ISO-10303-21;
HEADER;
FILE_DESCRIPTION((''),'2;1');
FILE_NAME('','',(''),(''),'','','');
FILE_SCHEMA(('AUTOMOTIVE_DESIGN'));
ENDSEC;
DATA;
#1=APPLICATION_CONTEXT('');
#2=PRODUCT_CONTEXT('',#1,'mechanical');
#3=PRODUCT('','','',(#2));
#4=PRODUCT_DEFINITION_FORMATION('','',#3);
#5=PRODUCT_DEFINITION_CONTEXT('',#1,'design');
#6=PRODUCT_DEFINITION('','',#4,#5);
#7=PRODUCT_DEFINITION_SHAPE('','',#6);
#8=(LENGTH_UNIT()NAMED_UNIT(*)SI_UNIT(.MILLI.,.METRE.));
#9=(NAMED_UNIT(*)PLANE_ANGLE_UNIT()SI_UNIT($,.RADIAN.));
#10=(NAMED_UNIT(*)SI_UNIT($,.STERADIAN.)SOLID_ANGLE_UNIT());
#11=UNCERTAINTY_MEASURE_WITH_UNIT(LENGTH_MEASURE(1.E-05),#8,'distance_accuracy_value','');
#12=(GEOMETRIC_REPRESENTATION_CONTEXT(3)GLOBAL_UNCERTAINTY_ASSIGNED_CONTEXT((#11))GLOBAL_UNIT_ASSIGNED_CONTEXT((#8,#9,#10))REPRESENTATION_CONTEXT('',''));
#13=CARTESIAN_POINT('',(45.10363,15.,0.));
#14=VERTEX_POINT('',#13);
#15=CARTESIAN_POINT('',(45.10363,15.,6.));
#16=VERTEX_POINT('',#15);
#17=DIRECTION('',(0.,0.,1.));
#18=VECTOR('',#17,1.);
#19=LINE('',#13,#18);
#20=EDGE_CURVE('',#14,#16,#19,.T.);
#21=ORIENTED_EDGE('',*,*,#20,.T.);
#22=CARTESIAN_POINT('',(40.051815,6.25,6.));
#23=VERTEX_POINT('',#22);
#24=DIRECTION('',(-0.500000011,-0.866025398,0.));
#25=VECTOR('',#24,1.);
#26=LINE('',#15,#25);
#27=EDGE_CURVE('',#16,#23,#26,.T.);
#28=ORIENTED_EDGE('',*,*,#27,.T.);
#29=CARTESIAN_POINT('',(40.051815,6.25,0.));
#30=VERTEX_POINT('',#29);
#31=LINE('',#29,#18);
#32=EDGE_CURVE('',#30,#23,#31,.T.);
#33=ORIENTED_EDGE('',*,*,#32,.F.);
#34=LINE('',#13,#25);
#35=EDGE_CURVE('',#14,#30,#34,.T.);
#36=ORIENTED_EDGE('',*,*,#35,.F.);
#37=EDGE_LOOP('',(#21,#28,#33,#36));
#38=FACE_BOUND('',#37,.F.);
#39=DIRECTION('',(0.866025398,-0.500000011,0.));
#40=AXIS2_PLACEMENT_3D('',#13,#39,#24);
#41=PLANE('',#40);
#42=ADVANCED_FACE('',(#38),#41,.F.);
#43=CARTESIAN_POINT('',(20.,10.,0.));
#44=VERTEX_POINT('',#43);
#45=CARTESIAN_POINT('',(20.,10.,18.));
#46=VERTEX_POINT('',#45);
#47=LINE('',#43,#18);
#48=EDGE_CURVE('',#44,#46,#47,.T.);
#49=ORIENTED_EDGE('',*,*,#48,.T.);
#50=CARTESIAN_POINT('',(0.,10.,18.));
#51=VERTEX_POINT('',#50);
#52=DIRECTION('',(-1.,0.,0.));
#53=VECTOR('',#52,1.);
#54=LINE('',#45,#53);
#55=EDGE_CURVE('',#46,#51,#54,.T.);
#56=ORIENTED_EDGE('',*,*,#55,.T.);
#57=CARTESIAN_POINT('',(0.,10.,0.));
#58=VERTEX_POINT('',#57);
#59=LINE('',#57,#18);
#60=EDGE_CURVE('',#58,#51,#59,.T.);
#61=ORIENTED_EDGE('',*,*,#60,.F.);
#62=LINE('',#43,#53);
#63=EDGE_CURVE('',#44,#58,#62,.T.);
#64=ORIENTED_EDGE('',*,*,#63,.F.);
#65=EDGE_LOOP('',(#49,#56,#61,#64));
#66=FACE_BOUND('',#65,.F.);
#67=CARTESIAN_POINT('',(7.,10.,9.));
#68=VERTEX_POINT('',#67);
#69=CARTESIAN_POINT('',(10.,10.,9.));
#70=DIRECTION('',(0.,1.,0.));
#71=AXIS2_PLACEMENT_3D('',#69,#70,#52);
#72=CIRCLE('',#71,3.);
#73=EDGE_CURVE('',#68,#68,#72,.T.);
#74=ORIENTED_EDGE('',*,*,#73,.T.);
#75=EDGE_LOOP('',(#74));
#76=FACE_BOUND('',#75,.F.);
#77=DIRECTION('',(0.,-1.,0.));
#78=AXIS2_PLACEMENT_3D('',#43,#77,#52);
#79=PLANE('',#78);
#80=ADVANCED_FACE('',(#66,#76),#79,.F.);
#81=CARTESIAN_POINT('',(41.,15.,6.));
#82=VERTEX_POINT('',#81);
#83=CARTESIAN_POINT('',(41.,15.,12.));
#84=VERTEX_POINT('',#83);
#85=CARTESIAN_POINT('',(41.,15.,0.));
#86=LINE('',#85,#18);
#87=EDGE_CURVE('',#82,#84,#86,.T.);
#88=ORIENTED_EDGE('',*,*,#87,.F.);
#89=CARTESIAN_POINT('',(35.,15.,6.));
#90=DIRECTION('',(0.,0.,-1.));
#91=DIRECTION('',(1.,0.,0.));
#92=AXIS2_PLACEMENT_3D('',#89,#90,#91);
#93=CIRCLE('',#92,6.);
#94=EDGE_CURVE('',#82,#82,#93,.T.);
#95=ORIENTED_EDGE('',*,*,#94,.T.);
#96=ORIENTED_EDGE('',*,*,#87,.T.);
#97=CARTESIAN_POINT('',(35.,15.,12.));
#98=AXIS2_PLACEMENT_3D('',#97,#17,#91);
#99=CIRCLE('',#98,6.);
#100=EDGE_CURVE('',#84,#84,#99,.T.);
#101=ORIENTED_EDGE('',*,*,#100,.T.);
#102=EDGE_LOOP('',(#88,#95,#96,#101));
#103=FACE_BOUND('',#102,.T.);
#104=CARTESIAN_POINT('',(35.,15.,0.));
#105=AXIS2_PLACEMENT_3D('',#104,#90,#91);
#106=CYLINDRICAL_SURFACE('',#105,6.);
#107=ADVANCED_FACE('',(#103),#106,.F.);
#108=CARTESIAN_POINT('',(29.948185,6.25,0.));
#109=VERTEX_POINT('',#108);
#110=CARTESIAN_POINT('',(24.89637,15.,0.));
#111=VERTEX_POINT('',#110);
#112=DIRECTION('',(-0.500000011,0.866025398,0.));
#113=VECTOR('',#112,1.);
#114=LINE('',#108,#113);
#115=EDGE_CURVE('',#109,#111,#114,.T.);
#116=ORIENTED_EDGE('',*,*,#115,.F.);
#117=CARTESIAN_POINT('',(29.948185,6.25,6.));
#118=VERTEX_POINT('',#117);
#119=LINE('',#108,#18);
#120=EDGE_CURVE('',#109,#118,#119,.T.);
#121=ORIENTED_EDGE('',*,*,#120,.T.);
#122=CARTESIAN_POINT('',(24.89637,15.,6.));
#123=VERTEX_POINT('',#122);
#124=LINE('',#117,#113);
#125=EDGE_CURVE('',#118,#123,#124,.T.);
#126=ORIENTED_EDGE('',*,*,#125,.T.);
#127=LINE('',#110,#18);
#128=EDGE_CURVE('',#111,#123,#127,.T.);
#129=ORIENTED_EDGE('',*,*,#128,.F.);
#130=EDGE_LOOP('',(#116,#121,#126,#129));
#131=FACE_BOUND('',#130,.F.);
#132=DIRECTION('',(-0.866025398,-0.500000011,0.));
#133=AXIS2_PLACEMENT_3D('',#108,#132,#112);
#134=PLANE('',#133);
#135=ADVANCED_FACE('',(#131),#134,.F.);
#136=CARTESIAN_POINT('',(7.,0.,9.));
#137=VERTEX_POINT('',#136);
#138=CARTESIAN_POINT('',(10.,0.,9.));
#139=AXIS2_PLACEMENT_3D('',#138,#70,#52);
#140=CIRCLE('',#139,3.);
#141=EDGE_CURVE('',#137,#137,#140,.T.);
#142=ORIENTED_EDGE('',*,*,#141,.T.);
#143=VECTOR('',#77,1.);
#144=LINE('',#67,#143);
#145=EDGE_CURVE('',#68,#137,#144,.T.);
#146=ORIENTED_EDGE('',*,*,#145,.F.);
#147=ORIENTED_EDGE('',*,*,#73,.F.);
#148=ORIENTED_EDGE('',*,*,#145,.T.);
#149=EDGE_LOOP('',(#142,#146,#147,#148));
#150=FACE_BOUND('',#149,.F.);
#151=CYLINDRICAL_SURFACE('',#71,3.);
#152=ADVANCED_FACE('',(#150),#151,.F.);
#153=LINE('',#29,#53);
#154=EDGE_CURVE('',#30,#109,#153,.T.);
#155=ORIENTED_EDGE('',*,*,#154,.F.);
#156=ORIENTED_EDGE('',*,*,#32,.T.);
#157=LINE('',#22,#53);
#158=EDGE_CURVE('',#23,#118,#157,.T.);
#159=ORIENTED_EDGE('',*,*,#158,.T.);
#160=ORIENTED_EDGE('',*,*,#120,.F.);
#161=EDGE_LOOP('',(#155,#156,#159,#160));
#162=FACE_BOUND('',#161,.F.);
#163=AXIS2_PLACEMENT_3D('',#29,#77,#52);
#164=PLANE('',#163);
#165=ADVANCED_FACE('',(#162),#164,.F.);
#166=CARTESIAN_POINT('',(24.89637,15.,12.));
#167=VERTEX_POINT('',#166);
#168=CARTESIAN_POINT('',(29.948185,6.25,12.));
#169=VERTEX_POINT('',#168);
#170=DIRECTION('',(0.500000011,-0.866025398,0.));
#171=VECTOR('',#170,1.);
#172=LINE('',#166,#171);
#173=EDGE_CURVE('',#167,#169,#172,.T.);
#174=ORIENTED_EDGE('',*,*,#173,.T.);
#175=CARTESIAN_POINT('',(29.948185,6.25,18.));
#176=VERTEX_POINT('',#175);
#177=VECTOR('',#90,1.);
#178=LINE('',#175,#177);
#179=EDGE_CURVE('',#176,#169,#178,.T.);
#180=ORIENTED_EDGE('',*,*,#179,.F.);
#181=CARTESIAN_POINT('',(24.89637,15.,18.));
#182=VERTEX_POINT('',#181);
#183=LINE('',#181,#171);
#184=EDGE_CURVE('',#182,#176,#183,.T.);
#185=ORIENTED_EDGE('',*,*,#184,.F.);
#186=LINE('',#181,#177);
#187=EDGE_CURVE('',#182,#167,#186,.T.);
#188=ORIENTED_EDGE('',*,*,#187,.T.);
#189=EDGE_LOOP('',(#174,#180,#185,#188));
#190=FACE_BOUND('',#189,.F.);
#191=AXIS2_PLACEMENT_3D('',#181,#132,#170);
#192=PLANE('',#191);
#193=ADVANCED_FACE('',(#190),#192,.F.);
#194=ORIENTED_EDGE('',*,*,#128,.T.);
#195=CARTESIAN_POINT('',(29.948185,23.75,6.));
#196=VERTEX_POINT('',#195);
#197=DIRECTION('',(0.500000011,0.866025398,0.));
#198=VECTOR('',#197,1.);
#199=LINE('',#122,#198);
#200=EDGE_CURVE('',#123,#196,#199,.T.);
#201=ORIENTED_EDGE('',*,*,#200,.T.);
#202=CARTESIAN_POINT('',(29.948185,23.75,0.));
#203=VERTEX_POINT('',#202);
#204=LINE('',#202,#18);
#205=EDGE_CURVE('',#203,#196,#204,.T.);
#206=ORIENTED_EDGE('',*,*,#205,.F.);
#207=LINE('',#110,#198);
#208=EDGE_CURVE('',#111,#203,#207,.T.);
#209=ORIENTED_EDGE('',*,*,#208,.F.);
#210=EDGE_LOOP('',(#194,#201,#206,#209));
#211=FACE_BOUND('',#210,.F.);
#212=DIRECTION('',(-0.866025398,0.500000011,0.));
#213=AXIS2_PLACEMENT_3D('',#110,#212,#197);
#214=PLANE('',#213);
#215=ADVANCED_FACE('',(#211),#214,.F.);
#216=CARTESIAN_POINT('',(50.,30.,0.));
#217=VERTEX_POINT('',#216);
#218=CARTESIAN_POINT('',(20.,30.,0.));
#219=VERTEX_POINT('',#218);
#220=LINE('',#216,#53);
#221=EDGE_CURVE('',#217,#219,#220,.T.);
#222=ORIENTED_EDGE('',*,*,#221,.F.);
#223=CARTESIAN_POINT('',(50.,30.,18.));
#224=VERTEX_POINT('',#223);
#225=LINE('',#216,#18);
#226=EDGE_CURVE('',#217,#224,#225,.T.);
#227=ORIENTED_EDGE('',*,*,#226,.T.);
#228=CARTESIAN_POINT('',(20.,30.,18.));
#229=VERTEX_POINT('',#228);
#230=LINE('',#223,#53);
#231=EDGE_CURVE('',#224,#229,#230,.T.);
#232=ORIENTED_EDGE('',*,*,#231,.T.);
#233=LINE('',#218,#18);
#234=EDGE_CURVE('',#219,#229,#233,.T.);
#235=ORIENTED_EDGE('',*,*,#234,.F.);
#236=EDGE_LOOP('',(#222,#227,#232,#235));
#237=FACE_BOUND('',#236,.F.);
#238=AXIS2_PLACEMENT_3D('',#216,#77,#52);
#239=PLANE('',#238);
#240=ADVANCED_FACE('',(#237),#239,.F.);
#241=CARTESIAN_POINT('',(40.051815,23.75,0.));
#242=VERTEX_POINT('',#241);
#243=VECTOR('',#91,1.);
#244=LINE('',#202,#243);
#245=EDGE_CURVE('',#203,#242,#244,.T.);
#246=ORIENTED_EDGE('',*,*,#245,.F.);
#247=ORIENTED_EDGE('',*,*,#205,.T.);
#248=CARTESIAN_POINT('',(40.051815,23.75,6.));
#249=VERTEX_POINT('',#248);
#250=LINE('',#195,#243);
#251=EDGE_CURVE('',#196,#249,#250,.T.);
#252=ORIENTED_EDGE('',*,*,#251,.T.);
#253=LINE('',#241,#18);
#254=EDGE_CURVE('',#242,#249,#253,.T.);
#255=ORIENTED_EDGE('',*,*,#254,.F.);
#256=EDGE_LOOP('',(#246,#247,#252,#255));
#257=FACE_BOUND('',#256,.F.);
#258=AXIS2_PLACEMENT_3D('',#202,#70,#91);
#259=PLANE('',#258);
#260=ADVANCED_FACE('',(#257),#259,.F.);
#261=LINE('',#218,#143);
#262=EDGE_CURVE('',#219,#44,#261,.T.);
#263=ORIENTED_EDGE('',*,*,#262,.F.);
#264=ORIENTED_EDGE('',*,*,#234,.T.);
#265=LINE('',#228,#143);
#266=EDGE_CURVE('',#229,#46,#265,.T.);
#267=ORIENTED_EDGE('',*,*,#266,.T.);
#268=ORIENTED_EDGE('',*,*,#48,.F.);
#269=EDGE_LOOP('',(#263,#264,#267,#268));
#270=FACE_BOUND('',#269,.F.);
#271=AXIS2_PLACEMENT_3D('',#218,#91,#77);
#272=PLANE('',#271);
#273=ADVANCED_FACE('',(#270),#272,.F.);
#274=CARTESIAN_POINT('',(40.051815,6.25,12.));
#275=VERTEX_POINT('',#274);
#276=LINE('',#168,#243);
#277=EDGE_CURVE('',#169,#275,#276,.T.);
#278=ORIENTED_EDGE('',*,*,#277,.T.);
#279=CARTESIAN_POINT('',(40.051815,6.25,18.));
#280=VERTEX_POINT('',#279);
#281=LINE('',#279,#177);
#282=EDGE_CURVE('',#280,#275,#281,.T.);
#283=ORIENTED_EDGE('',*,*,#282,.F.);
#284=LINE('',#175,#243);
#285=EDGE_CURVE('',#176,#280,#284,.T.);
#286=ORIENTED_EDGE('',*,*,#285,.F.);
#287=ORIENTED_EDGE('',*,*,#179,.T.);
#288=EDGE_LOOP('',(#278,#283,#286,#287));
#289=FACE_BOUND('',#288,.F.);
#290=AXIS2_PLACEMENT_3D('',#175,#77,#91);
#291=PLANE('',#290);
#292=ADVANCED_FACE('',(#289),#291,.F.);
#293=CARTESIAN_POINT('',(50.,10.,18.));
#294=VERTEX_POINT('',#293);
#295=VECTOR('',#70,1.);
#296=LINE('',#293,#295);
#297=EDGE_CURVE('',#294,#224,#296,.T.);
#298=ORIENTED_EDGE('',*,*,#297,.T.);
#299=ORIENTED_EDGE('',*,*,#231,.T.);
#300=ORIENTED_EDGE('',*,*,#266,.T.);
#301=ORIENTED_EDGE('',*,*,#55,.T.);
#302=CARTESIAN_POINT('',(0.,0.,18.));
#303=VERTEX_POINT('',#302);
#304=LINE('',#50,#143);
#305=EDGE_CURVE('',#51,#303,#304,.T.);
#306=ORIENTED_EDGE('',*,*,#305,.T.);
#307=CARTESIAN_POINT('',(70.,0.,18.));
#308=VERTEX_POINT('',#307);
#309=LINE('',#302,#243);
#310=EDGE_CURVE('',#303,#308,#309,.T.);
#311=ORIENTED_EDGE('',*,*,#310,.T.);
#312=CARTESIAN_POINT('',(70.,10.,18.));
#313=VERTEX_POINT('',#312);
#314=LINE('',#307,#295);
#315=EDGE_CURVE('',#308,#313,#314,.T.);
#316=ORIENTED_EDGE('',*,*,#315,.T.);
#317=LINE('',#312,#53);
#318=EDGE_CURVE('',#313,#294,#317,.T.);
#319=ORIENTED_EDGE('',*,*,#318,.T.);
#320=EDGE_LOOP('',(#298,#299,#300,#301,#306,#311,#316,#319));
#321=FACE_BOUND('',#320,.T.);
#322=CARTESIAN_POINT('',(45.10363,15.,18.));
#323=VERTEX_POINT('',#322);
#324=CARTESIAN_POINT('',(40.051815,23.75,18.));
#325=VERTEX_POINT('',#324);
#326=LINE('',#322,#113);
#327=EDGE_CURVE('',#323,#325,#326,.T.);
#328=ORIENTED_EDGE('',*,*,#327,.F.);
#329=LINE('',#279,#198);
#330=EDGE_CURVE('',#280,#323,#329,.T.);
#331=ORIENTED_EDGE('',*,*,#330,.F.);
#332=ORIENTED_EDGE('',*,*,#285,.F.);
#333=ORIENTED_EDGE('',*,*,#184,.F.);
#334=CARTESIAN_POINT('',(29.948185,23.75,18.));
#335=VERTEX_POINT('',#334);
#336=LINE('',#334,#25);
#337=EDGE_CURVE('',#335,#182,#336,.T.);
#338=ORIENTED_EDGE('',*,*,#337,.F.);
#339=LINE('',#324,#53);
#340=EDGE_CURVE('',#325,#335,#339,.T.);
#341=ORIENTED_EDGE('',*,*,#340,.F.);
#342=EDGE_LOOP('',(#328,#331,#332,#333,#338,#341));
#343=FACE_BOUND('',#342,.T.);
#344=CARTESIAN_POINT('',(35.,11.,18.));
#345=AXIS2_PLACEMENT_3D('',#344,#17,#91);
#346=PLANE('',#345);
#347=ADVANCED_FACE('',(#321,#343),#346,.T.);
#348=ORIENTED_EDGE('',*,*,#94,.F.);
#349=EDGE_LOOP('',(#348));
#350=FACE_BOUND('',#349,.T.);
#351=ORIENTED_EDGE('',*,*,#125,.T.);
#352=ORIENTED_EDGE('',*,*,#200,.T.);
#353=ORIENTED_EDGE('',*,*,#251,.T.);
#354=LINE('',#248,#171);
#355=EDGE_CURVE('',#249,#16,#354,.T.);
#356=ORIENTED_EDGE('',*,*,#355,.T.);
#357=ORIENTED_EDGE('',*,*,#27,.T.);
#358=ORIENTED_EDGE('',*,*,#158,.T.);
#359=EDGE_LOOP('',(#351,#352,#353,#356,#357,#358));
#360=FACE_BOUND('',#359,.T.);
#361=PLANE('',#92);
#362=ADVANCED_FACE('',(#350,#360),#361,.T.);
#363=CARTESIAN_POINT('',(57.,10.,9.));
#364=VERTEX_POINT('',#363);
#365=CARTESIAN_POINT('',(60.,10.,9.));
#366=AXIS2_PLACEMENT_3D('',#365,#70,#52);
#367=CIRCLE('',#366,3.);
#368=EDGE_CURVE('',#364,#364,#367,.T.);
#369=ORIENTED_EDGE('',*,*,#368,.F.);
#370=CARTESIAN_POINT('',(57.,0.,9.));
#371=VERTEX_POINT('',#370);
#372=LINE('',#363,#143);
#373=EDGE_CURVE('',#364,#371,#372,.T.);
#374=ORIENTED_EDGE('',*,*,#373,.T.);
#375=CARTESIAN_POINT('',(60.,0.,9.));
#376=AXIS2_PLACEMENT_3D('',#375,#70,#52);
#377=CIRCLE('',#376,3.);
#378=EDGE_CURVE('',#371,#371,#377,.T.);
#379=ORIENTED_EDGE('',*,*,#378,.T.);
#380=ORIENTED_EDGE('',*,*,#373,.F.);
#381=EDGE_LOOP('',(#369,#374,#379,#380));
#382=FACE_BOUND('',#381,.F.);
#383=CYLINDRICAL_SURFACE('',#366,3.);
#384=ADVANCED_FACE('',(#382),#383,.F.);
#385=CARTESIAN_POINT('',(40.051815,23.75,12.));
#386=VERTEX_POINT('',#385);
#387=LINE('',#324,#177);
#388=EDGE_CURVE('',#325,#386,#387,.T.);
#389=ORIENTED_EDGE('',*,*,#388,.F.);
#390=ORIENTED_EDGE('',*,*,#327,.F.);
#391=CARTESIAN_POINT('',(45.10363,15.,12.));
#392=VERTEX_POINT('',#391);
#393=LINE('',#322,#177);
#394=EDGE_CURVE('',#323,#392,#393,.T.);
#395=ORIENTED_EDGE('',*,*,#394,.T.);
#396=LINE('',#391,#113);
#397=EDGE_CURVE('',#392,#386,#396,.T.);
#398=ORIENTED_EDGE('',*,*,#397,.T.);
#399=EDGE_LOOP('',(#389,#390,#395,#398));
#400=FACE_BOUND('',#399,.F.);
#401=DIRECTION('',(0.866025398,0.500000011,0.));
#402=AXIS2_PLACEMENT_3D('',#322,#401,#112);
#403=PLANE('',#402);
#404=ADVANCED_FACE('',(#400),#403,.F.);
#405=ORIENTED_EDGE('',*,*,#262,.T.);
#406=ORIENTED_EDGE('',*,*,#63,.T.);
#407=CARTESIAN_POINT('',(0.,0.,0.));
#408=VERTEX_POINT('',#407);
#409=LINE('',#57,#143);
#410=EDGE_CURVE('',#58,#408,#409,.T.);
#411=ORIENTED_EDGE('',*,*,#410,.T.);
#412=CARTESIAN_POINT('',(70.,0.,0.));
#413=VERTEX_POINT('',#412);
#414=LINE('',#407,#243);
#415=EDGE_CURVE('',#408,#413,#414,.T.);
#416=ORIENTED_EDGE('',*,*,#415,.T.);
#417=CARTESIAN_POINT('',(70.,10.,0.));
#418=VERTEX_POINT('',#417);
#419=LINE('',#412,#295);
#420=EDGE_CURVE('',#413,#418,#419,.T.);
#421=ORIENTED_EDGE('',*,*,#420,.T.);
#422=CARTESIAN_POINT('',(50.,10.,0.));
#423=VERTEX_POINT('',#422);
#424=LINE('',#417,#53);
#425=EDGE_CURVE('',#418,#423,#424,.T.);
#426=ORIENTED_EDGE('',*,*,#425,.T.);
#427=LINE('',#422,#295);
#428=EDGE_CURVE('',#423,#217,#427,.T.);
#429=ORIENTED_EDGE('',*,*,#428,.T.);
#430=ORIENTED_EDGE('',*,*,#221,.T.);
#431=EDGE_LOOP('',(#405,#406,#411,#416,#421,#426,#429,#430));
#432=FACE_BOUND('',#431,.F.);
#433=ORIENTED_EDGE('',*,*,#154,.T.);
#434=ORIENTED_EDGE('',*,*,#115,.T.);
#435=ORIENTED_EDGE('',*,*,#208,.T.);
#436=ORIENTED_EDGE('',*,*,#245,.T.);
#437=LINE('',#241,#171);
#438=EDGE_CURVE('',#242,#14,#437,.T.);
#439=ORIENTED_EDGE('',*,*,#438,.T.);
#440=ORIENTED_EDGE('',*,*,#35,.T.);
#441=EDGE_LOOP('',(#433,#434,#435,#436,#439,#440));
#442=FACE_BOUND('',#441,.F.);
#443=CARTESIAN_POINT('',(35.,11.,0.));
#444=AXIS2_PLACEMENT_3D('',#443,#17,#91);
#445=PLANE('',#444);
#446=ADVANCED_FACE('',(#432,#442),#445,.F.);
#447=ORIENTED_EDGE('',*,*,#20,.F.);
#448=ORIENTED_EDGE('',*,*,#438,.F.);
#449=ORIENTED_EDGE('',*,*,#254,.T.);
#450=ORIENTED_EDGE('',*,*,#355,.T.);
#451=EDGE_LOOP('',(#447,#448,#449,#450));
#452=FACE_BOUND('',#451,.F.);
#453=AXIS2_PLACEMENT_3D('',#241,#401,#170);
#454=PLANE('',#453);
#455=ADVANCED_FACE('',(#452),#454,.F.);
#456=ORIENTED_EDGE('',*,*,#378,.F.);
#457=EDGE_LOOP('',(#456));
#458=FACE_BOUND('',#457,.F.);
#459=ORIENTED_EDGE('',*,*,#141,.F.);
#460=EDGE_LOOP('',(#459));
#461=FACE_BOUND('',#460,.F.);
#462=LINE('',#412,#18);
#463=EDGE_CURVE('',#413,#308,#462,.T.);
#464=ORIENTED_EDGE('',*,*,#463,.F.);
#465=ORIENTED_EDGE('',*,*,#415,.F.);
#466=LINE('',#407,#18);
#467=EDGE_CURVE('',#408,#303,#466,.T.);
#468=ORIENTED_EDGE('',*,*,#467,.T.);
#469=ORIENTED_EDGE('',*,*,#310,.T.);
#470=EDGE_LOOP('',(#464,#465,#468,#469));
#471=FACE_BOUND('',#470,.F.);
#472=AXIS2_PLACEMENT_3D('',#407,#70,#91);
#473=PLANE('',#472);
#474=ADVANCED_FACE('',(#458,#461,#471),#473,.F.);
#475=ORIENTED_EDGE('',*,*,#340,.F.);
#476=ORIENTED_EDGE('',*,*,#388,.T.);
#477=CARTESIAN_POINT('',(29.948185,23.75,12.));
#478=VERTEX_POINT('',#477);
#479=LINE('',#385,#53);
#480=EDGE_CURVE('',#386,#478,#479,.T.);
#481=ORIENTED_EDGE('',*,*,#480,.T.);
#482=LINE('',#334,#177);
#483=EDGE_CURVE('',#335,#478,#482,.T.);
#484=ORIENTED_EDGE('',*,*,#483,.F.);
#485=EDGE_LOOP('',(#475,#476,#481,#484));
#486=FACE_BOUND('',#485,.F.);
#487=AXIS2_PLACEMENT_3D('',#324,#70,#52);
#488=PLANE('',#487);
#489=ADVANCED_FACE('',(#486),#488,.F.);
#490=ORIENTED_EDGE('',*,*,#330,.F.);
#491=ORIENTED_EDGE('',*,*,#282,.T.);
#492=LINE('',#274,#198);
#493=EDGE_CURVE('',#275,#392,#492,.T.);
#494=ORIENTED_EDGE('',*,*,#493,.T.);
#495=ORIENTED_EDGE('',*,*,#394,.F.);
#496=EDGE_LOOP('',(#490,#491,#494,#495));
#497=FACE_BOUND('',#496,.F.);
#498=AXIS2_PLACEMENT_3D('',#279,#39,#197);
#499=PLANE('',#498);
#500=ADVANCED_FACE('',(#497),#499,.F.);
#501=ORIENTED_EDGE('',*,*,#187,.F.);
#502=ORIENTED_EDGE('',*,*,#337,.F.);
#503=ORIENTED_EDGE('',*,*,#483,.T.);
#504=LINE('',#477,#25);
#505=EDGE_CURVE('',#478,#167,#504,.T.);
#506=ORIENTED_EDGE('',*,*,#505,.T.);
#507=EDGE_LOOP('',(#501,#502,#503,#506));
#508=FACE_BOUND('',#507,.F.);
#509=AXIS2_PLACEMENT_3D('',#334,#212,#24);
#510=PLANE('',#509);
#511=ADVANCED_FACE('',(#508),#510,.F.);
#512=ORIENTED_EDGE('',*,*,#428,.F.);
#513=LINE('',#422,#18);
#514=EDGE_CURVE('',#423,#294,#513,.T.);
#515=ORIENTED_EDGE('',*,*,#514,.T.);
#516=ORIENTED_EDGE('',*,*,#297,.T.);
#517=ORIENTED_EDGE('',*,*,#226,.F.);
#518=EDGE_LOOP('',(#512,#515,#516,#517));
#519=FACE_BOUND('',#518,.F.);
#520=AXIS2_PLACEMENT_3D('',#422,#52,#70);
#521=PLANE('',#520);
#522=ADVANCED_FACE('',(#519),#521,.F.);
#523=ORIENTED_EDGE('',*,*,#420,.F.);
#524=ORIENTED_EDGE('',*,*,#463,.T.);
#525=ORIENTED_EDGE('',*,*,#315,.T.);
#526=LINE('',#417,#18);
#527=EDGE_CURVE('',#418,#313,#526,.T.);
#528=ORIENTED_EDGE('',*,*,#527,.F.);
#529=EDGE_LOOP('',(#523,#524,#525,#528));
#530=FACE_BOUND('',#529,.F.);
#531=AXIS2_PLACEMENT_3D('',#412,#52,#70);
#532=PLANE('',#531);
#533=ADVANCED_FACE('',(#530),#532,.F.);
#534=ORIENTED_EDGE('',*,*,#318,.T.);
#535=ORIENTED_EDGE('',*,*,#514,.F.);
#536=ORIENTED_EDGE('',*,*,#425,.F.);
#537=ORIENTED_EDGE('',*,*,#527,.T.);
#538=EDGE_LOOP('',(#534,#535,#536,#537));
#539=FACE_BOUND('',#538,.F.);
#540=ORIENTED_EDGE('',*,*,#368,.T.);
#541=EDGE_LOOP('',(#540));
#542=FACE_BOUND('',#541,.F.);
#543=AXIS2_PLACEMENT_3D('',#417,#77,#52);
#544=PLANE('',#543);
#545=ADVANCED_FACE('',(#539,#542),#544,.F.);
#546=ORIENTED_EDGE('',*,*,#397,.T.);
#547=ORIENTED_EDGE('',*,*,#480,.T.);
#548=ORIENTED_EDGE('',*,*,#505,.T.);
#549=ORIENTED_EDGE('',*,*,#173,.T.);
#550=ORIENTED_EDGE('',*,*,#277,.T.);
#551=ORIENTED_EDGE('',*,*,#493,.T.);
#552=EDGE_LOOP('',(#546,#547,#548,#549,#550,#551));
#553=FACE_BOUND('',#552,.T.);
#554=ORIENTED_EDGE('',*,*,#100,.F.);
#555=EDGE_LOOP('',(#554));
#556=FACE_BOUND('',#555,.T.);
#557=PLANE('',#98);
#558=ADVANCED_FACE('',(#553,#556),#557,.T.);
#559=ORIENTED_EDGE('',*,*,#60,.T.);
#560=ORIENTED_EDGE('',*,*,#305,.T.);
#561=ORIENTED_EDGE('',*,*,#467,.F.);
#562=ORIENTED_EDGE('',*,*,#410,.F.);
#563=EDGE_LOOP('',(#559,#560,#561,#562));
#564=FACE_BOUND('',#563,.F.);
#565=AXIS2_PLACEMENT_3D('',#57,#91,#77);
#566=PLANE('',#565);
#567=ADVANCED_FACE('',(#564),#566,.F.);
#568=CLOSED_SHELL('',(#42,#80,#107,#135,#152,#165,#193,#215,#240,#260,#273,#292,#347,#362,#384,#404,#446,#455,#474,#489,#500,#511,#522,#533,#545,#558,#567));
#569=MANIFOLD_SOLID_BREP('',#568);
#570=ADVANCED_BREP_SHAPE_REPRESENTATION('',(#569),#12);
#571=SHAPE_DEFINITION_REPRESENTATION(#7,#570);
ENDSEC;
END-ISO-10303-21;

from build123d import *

# Parameters (mm, degrees)
F0_R     = 6
F1_DEPTH = 18
F2_R     = 6
F3_DEPTH = 6
F4_R     = 3
F5_DEPTH = 25
F6_R     = 6
F7_DEPTH = 6


with BuildPart() as f1:
    # F0 (on Top) → F1 (new body)
    with BuildSketch(Plane.XY):
        Polygon((0, 10), (0, 0), (70, 0), (70, 10), (50, 10), (50, 30), (20, 30), (20, 10), align=None)
        with Locations((35, 15)):
            Circle(F0_R, mode=Mode.SUBTRACT)
    extrude(amount=F1_DEPTH)

    # F2 (on face) → F3 (cut)
    with BuildSketch(Plane.XY.offset(18)):
        Polygon((40.051815, 23.75), (29.948185, 23.75), (24.89637, 15), (29.948185, 6.25), (40.051815, 6.25), (45.10363, 15), align=None)
        with Locations((35, 15)):
            Circle(F2_R, mode=Mode.SUBTRACT)
    extrude(amount=-F3_DEPTH, mode=Mode.SUBTRACT)

    # F4 (on face) → F5 (cut)
    with BuildSketch(Plane(origin=(0, 10, 0), x_dir=(-1, 0, 0), z_dir=(0, 1, 0))):
        with Locations((-60, 9)):
            Circle(F4_R)
        with Locations((-10, 9)):
            Circle(F4_R)
    extrude(amount=-F5_DEPTH, mode=Mode.SUBTRACT)

    # F6 (on face) → F7 (cut)
    with BuildSketch(Plane(origin=(0, 0, 0), x_dir=(1, 0, 0), z_dir=(0, 0, -1))):
        Polygon((29.948185, -23.75), (40.051815, -23.75), (45.10363, -15), (40.051815, -6.25), (29.948185, -6.25), (24.89637, -15), align=None)
        with Locations((35, -15)):
            Circle(F6_R, mode=Mode.SUBTRACT)
    extrude(amount=-F7_DEPTH, mode=Mode.SUBTRACT)


solid = f1.part
